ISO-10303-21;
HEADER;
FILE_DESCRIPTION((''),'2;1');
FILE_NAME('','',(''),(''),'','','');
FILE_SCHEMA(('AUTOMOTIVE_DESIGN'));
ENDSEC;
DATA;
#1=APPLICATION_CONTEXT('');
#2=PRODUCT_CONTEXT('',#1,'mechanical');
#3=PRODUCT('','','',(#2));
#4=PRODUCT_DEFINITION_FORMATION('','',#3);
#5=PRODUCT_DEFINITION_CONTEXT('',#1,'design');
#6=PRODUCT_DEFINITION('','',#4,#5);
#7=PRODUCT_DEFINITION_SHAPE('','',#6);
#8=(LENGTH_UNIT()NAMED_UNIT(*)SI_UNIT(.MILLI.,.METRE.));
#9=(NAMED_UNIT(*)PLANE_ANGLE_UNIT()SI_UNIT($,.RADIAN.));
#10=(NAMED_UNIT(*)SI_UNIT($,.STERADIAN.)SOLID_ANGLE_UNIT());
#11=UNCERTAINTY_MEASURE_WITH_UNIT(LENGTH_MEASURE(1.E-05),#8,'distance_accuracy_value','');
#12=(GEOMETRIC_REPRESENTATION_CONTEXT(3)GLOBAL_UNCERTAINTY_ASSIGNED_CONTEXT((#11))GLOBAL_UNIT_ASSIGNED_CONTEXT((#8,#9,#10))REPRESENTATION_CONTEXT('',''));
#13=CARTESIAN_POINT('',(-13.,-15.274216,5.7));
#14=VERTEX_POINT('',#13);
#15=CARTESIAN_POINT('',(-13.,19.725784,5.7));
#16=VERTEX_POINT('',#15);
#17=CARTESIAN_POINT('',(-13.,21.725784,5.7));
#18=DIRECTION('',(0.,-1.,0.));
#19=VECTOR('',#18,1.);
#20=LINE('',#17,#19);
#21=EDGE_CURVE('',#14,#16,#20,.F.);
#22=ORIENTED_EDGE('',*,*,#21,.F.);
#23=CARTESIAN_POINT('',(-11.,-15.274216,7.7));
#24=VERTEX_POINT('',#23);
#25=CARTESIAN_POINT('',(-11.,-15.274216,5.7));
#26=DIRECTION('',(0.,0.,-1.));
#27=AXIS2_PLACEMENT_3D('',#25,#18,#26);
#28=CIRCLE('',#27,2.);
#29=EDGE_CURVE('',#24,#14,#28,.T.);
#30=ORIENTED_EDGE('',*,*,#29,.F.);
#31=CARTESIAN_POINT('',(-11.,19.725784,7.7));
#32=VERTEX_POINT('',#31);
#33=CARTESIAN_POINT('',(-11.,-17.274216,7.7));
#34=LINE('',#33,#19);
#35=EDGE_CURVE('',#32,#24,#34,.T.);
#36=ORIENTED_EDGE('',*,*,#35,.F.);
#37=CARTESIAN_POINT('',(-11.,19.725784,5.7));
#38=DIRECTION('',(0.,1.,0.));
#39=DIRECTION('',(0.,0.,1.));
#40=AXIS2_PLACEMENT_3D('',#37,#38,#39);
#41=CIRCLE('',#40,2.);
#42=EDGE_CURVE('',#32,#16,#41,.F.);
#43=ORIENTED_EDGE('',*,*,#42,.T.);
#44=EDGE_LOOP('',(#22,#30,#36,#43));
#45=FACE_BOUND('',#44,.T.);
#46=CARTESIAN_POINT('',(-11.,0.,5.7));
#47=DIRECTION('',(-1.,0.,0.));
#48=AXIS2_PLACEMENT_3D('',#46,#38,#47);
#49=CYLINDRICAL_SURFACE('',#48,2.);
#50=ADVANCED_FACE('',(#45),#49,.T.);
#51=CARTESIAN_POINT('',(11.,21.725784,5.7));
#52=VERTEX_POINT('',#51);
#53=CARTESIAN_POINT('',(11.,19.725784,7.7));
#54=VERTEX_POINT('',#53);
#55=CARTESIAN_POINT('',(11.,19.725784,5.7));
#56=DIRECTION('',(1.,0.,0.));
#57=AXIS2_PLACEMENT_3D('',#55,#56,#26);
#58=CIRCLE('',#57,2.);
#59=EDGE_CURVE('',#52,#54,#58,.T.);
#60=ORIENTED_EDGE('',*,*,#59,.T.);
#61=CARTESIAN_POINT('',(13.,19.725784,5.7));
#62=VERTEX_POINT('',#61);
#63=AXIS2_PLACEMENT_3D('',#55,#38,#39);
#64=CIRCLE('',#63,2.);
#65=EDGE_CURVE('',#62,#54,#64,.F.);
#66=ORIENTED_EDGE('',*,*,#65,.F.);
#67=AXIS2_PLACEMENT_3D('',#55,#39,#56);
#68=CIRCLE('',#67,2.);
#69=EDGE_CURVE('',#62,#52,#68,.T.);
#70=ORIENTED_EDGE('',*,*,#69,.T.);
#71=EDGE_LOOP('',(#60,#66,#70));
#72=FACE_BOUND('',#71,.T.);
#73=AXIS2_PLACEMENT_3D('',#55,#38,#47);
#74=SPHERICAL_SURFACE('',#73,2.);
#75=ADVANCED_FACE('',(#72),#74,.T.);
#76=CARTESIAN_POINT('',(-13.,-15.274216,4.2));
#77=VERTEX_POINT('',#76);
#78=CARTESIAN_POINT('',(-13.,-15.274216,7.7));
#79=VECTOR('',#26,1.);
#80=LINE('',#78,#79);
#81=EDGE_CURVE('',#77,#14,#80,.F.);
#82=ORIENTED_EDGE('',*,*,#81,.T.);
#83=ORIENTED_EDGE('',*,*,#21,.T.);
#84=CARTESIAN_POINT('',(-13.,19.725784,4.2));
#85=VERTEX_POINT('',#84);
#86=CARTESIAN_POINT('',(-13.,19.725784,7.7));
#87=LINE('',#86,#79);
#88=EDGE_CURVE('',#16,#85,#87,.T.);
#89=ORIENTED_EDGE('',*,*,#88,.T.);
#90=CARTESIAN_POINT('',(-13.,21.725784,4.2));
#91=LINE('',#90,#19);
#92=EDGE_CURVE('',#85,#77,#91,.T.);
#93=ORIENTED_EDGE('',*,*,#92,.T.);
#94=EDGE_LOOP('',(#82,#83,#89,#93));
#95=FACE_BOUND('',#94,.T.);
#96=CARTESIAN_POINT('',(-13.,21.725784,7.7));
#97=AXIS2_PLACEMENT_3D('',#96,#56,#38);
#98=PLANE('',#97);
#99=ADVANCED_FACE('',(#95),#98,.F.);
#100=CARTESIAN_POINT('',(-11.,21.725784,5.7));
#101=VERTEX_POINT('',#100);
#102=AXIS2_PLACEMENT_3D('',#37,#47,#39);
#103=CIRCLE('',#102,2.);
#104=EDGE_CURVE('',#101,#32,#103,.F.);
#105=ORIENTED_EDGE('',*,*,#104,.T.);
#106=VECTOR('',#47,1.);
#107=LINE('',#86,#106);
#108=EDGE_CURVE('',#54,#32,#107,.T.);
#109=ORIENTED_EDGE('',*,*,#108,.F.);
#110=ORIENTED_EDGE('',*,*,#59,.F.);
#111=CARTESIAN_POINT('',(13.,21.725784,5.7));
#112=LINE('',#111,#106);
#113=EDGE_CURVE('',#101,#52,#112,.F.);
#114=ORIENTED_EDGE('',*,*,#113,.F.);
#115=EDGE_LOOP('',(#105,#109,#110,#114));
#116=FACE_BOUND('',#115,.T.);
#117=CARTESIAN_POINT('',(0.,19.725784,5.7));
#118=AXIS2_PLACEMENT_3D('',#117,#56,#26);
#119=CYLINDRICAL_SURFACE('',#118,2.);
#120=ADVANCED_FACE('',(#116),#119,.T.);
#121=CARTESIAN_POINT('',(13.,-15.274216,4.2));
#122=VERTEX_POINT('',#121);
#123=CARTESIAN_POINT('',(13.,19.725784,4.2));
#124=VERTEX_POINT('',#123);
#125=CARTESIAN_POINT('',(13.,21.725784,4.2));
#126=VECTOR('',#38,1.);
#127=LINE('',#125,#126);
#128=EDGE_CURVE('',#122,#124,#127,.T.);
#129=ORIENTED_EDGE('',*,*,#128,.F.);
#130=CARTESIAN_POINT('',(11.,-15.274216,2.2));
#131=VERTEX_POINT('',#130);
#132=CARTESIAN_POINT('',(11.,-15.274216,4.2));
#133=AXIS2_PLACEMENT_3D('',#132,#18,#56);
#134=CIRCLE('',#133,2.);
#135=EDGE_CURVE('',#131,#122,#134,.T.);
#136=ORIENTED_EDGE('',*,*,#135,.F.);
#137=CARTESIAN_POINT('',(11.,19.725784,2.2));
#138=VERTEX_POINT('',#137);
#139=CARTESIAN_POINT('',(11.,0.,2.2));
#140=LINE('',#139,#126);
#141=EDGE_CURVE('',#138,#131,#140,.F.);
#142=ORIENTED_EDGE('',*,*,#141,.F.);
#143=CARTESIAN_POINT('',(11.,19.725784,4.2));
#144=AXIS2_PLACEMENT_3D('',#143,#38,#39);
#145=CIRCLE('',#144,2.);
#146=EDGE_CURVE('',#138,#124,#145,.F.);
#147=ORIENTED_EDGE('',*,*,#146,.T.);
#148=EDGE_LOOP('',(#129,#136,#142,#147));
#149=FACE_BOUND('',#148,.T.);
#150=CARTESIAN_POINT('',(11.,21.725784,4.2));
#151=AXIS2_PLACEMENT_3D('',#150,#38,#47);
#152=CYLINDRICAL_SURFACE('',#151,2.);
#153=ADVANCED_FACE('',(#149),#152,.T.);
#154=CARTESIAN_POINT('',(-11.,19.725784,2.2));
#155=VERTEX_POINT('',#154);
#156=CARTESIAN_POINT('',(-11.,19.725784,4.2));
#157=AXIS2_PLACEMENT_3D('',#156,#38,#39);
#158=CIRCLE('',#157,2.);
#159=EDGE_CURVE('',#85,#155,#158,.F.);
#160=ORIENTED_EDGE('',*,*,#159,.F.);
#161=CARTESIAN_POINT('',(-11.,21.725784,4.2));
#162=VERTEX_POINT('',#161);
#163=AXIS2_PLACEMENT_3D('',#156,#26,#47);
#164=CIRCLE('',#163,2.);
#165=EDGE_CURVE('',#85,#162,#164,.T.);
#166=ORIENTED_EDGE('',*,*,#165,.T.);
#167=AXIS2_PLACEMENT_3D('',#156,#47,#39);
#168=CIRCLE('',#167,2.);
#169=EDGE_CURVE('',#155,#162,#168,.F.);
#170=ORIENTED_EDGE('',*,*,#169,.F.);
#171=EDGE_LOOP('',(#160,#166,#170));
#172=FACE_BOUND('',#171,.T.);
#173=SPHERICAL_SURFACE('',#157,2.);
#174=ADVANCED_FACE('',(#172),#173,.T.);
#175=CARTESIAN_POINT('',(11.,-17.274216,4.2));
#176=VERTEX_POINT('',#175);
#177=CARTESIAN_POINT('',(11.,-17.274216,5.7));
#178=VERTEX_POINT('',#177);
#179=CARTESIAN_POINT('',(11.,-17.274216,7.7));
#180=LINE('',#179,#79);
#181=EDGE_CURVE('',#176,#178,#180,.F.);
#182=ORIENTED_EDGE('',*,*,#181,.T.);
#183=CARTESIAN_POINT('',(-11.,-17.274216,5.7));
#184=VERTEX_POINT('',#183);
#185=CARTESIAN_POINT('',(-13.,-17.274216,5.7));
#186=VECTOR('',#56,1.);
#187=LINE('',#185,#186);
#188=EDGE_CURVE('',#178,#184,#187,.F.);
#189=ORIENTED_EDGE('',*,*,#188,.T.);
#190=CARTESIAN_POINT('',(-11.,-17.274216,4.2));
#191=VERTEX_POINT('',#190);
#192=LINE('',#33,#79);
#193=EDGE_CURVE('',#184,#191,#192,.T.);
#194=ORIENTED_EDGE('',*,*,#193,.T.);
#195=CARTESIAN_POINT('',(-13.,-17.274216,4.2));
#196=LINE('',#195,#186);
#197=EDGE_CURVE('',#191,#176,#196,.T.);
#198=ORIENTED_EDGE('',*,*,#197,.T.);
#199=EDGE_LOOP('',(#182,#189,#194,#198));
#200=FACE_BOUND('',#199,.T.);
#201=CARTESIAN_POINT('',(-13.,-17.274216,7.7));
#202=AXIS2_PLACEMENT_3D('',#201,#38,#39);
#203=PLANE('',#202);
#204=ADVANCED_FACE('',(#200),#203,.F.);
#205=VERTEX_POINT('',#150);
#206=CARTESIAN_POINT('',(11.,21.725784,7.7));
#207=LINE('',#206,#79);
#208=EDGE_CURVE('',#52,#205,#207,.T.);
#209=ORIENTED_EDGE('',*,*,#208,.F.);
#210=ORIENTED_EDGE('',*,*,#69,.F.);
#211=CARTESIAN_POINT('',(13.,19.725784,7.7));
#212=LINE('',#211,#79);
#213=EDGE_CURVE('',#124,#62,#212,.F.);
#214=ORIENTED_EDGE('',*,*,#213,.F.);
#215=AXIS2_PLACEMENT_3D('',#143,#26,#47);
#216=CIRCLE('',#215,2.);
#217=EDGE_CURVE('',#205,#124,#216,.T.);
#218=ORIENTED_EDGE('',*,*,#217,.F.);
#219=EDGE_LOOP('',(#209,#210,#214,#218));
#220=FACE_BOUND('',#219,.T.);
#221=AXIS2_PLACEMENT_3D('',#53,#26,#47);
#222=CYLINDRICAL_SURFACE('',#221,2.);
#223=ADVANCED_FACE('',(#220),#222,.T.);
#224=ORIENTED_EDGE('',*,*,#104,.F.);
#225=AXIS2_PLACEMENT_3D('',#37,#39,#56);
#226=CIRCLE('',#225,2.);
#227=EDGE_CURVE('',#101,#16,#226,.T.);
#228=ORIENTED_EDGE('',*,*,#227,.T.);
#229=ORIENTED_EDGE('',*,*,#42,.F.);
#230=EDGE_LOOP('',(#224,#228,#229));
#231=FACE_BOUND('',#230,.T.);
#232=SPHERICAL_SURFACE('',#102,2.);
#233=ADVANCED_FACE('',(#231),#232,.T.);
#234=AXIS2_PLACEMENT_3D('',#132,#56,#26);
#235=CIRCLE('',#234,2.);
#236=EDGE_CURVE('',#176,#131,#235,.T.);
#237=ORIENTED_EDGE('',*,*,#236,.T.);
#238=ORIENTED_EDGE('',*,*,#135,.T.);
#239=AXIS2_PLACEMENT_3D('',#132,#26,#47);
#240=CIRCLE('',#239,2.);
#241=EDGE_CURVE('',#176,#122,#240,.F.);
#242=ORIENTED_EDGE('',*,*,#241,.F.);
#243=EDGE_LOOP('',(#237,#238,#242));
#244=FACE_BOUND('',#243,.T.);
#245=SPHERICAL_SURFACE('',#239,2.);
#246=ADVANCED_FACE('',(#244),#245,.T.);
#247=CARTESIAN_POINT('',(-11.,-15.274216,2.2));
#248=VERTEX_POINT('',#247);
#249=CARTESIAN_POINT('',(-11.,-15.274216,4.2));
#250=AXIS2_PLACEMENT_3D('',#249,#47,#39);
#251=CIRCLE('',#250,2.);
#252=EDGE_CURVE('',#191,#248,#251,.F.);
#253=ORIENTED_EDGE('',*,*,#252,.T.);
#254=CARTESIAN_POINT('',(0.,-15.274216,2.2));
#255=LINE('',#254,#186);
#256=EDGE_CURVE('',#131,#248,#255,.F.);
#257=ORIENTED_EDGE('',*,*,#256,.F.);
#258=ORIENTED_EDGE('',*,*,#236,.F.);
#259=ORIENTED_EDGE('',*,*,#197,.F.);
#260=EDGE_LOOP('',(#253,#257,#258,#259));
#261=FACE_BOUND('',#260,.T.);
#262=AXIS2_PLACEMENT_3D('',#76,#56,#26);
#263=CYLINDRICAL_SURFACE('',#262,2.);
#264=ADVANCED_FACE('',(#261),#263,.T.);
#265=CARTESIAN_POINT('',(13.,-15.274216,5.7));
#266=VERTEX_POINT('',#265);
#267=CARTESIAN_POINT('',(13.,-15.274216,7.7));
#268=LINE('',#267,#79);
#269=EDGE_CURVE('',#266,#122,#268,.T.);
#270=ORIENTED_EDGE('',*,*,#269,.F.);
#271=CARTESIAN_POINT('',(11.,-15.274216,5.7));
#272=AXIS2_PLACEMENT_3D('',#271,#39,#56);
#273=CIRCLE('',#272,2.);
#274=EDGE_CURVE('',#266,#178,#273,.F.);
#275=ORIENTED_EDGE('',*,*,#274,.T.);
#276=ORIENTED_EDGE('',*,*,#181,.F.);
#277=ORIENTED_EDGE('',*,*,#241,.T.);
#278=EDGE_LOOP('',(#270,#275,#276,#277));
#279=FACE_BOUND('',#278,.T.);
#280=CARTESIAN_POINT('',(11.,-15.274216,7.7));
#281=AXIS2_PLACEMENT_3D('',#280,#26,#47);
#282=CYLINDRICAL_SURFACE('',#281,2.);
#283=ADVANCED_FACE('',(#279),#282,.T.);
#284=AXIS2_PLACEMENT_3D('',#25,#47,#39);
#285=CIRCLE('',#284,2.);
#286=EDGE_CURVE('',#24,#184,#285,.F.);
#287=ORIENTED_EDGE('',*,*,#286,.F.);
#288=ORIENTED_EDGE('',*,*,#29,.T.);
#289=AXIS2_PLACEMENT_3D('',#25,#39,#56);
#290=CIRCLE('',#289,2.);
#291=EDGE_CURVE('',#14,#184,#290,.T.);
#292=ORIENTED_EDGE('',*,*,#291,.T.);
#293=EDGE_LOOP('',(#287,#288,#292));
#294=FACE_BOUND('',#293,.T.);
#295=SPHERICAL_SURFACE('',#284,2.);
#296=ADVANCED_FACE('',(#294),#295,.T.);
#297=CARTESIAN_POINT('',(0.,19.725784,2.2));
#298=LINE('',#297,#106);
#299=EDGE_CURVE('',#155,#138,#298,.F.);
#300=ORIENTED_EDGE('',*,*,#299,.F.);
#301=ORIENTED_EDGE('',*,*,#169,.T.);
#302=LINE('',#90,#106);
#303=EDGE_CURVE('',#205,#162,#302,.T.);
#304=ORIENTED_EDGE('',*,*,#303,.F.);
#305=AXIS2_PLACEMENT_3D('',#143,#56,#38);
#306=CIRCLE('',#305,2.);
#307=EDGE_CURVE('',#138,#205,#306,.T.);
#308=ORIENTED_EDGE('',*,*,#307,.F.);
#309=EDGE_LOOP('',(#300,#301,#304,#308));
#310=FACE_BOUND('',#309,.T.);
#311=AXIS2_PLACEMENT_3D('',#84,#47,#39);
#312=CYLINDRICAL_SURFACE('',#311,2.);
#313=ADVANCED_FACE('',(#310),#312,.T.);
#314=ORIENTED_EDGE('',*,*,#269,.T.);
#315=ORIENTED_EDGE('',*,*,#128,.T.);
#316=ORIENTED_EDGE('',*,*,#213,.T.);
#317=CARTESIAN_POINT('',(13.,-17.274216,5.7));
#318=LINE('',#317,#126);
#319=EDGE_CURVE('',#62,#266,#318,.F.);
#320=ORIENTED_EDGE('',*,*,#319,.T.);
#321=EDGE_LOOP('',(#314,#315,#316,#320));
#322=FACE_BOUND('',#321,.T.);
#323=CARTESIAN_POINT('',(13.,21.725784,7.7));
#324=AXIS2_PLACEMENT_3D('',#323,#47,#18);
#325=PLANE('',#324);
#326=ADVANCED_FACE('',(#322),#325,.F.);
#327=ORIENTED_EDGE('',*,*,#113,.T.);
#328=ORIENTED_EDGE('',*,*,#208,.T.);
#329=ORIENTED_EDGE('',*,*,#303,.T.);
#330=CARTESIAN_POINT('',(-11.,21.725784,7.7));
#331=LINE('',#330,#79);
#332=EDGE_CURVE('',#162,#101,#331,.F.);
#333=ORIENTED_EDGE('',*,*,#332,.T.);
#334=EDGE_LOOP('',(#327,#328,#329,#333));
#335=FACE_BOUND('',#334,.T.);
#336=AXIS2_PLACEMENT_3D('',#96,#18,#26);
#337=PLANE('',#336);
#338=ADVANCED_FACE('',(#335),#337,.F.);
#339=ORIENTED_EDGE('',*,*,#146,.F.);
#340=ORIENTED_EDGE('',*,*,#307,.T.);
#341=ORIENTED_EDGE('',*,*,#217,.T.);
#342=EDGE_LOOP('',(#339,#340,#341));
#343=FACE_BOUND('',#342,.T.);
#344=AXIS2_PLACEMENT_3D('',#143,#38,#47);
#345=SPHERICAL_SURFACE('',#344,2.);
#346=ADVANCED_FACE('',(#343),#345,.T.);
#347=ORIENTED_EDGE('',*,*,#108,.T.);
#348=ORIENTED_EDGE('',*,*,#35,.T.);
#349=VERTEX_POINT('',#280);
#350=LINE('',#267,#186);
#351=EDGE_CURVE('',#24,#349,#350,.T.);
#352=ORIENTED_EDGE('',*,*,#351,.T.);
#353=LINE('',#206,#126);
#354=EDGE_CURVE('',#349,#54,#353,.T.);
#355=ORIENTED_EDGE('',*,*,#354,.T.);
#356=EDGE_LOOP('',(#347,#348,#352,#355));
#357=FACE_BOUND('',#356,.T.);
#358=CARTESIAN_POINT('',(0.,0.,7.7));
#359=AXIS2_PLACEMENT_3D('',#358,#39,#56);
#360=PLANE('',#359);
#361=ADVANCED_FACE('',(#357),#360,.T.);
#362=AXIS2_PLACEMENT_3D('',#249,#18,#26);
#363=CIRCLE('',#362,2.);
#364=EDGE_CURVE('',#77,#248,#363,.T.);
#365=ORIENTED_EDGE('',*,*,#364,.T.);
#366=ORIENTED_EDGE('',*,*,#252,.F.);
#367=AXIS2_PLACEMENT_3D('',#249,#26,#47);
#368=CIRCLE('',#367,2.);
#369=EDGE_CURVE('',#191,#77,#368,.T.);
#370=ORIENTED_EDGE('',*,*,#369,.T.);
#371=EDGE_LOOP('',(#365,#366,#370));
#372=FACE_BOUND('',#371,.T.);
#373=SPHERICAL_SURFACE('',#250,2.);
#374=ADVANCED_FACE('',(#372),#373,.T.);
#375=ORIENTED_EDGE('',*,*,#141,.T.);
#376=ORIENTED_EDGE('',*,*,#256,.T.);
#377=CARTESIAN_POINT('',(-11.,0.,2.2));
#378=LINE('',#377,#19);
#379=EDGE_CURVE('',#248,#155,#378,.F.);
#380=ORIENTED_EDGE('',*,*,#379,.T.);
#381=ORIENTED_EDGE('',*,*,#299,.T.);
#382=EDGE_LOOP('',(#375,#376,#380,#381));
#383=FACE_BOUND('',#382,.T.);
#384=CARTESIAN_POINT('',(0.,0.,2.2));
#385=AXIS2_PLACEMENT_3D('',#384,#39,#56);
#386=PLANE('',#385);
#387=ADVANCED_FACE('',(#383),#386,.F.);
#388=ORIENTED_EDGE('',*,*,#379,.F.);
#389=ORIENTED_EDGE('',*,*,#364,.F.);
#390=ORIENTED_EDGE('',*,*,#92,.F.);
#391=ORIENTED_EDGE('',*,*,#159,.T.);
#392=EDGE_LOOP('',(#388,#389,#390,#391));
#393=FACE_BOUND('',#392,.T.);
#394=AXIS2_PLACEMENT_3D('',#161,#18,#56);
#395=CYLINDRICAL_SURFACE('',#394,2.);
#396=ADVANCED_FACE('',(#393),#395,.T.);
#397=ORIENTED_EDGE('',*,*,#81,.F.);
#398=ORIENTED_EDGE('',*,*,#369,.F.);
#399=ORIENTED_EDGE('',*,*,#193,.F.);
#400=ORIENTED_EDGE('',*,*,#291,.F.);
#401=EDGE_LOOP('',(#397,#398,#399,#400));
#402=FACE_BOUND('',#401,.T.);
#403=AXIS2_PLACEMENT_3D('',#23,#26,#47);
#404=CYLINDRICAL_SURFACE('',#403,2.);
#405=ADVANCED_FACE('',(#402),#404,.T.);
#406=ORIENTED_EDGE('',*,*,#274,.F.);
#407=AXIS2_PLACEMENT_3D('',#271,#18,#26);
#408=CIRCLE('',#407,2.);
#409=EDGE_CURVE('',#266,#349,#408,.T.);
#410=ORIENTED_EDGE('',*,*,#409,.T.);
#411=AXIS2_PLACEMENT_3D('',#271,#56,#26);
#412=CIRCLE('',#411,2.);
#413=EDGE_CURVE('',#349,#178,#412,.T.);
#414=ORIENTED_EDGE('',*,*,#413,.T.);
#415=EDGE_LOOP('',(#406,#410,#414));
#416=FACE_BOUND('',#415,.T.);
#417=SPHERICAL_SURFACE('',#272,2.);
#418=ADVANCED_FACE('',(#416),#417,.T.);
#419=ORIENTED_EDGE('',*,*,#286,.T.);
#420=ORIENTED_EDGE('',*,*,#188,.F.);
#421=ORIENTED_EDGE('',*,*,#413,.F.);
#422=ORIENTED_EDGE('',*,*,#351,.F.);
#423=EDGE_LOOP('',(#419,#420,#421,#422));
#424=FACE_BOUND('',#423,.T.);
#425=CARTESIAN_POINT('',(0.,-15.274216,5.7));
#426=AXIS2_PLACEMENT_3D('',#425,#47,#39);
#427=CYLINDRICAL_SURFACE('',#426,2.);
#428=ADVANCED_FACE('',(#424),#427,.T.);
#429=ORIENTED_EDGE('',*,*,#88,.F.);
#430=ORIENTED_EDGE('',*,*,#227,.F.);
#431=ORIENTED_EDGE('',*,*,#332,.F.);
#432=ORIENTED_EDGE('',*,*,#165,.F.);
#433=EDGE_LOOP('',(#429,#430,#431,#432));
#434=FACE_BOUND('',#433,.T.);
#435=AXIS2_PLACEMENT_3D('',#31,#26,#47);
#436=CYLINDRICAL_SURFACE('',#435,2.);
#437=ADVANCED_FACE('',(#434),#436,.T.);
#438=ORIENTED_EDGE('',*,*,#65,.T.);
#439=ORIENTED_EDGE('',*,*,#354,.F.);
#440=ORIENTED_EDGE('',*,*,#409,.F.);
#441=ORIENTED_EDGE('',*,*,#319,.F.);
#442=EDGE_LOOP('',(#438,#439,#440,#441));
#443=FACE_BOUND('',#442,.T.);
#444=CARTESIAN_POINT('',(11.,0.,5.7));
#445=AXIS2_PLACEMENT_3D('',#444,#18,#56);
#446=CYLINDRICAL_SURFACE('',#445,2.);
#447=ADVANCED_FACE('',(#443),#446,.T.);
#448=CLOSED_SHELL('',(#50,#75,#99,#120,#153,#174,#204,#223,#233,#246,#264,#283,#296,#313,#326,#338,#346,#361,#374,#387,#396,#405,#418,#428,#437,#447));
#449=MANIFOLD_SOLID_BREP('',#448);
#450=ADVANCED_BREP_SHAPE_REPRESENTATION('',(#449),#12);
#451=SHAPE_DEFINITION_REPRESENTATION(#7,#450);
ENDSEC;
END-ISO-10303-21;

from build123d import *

# Parameters (mm, degrees)
BOSS_EXTRUDE1_START = 2.2
SKETCH1_W           = 26
SKETCH1_H           = 39
BOSS_EXTRUDE1_DEPTH = 5.5
FILLET1_R           = 2


with BuildPart() as part:
    # Sketch1 → Boss-Extrude1 (new body)
    with BuildSketch(Plane.XY.offset(BOSS_EXTRUDE1_START)):
        with Locations((0, 2.225783695)):
            Rectangle(SKETCH1_W, SKETCH1_H)
    extrude(amount=BOSS_EXTRUDE1_DEPTH)

    # Fillet1
    fillet1_edges = [part.edges().sort_by_distance(p)[0] for p in [
        (-13, 2.225783695, 7.7),
        (0, -17.274216305, 7.7),
        (13, 2.225783695, 7.7),
        (0, -17.274216305, 2.2),
        (-13, 2.225783695, 2.2),
        (0, 21.725783695, 2.2),
        (13, 2.225783695, 2.2),
        (13, -17.274216305, 4.95),
        (-13, -17.274216305, 4.95),
        (-13, 21.725783695, 4.95),
        (13, 21.725783695, 4.95),
        (0, 21.725783695, 7.7),
    ]]
    fillet(fillet1_edges, radius=FILLET1_R)


solid = part.part
